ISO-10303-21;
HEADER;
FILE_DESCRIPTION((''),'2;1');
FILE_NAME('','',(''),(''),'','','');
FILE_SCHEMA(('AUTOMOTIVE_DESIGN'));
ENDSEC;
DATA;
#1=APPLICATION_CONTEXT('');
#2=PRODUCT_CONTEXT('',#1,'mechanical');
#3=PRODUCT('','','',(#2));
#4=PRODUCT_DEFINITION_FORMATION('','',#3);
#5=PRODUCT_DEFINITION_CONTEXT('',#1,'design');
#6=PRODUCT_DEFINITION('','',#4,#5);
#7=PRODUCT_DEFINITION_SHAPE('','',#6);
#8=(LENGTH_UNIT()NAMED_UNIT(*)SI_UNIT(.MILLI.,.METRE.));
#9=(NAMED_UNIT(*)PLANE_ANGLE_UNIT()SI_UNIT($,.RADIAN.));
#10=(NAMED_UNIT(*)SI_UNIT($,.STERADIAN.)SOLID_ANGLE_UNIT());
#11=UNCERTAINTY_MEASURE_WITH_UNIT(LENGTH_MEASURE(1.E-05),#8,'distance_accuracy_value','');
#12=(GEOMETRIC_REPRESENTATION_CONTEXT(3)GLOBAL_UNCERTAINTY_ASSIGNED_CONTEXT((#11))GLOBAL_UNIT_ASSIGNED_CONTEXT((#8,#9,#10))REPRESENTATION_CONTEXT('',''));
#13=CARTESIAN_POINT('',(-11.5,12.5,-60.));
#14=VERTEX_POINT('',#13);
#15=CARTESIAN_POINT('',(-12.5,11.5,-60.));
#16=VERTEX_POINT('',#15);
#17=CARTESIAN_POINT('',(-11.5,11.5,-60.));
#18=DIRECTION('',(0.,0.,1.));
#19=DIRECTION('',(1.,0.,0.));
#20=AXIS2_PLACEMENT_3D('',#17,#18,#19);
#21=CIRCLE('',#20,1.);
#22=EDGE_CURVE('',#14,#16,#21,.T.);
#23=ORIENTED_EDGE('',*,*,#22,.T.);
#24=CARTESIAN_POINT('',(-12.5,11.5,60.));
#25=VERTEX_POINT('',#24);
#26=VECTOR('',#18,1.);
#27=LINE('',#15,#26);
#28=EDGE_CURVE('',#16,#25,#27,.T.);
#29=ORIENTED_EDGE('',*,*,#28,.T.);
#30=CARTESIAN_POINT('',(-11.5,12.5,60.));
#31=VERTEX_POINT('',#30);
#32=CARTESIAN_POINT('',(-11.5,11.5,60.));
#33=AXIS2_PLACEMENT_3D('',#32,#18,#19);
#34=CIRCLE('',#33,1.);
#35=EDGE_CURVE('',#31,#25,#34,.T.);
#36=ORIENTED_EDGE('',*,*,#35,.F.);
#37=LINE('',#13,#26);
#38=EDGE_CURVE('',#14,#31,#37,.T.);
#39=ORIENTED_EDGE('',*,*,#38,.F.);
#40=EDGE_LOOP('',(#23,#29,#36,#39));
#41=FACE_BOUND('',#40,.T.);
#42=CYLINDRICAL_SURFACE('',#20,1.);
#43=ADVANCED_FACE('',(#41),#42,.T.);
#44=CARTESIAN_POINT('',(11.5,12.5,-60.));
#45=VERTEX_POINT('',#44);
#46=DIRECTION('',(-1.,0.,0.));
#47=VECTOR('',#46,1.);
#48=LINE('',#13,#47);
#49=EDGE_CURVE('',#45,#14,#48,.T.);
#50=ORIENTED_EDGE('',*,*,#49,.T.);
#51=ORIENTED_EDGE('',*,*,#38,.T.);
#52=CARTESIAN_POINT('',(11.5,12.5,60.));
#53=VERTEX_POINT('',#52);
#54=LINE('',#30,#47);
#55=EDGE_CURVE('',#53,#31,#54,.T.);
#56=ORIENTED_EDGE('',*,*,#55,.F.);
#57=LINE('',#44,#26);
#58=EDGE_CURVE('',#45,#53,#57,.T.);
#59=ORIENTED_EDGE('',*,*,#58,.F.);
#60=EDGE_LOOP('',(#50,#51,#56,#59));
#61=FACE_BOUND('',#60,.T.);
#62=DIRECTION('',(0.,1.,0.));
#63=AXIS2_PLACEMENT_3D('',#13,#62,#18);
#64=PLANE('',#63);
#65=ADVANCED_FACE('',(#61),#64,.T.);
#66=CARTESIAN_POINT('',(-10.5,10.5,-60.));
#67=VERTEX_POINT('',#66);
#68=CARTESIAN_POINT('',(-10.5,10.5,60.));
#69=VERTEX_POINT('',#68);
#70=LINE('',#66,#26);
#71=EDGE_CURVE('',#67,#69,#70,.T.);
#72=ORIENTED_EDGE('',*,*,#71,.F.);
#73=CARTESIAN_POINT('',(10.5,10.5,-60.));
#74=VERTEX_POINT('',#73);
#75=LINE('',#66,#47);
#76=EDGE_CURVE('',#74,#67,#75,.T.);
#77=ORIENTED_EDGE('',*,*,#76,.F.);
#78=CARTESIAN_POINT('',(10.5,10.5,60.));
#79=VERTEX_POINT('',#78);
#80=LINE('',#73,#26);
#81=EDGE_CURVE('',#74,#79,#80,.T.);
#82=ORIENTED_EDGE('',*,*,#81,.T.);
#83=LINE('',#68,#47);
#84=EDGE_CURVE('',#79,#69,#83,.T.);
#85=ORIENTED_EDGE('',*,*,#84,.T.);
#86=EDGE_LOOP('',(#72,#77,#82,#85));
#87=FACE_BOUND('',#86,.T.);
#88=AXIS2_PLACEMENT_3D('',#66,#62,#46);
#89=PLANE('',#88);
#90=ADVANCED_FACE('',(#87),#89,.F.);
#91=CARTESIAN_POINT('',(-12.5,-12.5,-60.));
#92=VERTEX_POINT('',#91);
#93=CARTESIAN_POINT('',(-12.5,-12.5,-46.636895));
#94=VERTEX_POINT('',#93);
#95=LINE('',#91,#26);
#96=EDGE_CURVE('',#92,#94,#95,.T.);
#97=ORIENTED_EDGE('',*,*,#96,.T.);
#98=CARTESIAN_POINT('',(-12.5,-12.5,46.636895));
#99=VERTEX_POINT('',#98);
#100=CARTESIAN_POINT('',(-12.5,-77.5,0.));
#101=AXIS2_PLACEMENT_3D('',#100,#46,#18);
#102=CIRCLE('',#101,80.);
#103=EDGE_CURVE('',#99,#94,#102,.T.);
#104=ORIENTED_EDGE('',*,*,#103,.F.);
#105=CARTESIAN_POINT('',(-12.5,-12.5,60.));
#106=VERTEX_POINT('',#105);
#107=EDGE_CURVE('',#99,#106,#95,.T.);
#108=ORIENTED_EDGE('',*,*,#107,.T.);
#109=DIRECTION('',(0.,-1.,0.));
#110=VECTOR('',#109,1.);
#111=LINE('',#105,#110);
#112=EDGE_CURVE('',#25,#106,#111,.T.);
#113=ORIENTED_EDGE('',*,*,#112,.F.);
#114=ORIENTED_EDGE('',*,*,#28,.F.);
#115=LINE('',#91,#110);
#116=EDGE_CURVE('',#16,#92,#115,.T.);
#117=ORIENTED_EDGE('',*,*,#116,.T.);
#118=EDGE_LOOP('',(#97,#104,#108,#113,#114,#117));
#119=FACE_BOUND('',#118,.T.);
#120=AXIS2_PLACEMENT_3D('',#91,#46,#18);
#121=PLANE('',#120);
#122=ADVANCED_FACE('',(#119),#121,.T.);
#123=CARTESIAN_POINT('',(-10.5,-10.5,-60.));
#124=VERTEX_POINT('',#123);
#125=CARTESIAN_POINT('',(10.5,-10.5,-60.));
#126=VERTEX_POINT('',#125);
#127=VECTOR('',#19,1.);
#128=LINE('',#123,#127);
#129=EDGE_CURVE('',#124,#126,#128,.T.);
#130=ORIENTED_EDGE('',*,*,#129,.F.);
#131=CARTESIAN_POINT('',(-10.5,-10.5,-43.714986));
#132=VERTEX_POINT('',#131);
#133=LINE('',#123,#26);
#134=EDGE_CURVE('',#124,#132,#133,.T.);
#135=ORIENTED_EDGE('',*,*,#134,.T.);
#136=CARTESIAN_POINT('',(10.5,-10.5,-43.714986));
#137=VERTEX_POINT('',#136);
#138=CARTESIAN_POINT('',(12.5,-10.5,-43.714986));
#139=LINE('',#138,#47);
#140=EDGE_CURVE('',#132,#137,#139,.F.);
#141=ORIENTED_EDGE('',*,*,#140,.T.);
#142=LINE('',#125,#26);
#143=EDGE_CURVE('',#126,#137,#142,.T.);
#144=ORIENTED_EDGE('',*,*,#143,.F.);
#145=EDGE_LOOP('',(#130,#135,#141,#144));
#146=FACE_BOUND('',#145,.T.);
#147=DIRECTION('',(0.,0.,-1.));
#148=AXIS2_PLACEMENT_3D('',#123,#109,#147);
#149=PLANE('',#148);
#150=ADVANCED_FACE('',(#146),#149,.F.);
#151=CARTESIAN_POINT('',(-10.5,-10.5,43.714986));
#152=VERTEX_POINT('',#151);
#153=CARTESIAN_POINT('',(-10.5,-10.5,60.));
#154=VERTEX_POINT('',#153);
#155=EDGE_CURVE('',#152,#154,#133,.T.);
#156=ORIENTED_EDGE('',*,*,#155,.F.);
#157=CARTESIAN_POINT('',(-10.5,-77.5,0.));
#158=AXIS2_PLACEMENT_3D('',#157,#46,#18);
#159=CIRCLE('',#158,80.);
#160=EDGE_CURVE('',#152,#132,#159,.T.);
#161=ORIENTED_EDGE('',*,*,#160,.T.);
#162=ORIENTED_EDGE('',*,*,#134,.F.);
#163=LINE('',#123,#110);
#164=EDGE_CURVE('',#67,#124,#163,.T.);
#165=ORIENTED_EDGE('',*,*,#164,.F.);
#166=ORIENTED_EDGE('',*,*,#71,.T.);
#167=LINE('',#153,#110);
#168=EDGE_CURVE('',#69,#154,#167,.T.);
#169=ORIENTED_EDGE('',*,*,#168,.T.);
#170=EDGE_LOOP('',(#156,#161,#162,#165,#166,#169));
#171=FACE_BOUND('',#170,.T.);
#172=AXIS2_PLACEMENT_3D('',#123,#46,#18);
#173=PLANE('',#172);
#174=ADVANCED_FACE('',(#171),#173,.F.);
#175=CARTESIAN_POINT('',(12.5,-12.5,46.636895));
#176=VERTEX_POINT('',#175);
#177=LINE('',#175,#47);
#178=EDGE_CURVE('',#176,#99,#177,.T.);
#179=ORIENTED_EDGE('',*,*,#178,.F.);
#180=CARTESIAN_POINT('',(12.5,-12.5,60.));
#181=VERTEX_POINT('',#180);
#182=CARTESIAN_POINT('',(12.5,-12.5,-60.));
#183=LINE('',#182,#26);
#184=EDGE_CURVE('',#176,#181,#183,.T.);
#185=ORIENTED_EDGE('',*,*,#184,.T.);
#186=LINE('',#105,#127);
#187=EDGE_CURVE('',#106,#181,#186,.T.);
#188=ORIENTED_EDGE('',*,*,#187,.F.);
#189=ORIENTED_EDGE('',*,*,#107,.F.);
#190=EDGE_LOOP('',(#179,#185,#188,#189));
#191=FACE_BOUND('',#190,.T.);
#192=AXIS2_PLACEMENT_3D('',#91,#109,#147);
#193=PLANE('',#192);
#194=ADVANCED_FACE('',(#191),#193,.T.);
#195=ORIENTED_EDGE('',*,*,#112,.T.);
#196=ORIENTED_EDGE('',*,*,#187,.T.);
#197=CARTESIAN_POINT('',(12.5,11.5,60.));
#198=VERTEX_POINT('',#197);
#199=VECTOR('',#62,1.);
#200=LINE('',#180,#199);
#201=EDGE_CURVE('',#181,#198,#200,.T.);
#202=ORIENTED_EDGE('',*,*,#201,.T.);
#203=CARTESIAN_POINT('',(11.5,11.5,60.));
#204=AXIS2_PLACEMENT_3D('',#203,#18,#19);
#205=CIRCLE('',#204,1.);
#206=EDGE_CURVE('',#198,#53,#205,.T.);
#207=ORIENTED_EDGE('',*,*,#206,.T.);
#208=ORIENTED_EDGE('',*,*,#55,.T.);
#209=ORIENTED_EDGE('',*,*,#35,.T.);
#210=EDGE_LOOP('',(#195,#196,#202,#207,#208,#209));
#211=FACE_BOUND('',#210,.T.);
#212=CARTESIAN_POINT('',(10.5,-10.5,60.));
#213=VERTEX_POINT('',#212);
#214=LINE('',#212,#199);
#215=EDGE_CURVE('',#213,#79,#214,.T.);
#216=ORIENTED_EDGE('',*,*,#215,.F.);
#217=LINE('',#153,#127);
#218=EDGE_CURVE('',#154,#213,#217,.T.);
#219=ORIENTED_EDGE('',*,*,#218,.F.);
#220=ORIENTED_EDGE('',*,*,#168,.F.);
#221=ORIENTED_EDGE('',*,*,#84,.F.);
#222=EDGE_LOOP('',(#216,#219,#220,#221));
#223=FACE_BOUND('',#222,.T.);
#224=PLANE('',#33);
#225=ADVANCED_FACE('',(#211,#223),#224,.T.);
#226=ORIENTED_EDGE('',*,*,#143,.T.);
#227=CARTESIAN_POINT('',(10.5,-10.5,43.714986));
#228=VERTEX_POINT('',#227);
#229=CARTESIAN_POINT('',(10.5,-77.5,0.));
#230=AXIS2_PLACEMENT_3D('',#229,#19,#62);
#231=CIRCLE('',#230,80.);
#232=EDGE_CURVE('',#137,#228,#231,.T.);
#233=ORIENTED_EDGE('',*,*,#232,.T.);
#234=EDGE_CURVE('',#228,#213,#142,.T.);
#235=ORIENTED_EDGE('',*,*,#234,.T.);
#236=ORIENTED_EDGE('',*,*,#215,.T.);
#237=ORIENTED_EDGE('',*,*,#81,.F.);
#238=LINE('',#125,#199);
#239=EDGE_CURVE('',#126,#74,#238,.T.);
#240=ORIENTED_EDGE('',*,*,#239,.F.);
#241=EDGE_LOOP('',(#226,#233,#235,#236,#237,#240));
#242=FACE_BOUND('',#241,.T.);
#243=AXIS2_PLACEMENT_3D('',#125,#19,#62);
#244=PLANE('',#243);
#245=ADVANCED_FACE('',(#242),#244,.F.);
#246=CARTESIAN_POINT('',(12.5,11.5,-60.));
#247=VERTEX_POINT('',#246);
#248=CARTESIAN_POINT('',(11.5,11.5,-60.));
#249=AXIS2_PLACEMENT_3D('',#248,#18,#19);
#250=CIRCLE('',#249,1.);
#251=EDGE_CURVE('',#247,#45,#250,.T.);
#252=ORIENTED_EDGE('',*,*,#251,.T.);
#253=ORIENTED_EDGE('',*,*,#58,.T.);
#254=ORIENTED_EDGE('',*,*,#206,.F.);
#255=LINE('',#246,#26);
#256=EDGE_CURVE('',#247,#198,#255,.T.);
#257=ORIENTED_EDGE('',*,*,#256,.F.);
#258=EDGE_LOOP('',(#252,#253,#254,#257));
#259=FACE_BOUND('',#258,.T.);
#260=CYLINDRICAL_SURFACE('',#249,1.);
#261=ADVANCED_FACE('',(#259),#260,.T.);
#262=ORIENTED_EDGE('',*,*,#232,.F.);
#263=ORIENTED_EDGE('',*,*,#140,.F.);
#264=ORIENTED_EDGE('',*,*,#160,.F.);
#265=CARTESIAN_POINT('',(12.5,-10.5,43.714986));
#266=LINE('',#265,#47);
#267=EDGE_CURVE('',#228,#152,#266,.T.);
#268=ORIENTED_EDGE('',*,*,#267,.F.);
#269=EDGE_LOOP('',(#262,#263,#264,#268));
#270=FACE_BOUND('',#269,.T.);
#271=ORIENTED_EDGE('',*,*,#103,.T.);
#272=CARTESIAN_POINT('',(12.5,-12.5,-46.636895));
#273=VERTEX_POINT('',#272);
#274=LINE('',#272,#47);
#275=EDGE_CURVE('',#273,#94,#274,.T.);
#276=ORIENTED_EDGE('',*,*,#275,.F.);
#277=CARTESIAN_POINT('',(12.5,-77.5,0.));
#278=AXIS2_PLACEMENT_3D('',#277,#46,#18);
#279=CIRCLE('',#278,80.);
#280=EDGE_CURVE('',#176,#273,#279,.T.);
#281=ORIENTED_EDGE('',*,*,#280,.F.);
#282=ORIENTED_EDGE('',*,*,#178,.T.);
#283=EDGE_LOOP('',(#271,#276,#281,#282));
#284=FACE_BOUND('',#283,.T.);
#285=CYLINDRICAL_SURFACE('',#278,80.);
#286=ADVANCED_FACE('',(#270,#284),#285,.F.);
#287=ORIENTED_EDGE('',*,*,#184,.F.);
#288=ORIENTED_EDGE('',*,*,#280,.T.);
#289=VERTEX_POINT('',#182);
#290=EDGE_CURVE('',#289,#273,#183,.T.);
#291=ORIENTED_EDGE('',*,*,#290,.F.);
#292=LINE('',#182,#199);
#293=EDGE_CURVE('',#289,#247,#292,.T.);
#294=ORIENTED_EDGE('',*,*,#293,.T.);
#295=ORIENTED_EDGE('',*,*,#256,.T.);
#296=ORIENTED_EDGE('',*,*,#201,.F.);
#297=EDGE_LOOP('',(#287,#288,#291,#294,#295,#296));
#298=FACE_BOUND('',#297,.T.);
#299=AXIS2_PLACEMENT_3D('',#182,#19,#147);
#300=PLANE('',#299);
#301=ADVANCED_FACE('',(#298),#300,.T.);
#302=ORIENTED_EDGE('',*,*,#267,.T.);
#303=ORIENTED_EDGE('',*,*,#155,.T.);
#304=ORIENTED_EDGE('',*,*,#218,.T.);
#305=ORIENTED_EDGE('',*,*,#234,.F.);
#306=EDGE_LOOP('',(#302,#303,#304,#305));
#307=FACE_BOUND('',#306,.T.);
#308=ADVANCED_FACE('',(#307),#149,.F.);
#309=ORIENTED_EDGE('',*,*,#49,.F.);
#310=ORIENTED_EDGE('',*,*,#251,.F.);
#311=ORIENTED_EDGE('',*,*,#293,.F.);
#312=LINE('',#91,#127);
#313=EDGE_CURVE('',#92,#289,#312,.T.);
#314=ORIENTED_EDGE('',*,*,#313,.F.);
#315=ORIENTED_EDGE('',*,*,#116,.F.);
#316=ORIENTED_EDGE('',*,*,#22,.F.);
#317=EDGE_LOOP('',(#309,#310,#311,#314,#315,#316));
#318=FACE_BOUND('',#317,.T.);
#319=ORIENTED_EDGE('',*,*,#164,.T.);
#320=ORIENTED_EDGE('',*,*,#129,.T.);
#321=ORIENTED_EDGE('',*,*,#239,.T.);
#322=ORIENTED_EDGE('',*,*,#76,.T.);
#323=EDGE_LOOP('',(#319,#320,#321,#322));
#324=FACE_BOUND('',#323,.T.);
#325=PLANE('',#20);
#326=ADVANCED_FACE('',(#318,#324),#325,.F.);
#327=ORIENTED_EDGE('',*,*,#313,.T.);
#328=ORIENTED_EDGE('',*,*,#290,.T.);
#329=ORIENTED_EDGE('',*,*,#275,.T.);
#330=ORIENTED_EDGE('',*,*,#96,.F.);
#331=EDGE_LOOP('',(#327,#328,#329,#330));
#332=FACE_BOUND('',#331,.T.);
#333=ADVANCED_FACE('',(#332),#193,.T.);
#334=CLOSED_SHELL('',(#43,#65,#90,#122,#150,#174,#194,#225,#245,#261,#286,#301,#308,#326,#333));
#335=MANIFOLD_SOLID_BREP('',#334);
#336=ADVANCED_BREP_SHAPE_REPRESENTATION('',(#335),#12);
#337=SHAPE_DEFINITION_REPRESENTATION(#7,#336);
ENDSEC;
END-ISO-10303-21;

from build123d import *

# Parameters (mm, degrees)
EXTRUDE_1_DEPTH      = 60
EXTRUDE_1_DEPTH_BACK = 60
SKETCH_1_W           = 21
SKETCH_1_H           = 21
CUT_EXTRUDE_1_DEPTH  = 67.191011474


with BuildPart() as part:
    # Эскиз1 → Бобышка-Вытянуть1 (new, two sides: drawn at the far end of the back side and taken through both)
    with BuildSketch(Plane.XY.offset(-EXTRUDE_1_DEPTH_BACK)):
        with BuildLine():
            Line((-12.5, -12.5), (12.5, -12.5))
            Line((12.5, -12.5), (12.5, 11.5))
            ThreePointArc((12.5, 11.5), (12.207106781, 12.207106781), (11.5, 12.5))
            Line((11.5, 12.5), (-11.5, 12.5))
            ThreePointArc((-11.5, 12.5), (-12.207106781, 12.207106781), (-12.5, 11.5))
            Line((-12.5, 11.5), (-12.5, -12.5))
        make_face()
        Rectangle(SKETCH_1_W, SKETCH_1_H, mode=Mode.SUBTRACT)
    extrude(amount=EXTRUDE_1_DEPTH + EXTRUDE_1_DEPTH_BACK)

    # Эскиз2 → Вырез-Вытянуть1 (cut, through all)
    with BuildSketch(Plane(origin=(12.5, 0, 0), x_dir=(0, 0, -1), z_dir=(1, 0, 0))):
        with BuildLine():
            Line((-232.745226472, -146.030996161), (-46.636895265, -12.5))
            ThreePointArc((-46.636895265, -12.5), (0, 2.5), (46.636895265, -12.5))
            Line((46.636895265, -12.5), (232.745226472, -146.030996161))
            Line((232.745226472, -146.030996161), (232.745226472, -604.143811438))
            Line((232.745226472, -604.143811438), (-232.745226472, -604.143811438))
            Line((-232.745226472, -604.143811438), (-232.745226472, -146.030996161))
        make_face()
    extrude(amount=-CUT_EXTRUDE_1_DEPTH, mode=Mode.SUBTRACT)


solid = part.part
